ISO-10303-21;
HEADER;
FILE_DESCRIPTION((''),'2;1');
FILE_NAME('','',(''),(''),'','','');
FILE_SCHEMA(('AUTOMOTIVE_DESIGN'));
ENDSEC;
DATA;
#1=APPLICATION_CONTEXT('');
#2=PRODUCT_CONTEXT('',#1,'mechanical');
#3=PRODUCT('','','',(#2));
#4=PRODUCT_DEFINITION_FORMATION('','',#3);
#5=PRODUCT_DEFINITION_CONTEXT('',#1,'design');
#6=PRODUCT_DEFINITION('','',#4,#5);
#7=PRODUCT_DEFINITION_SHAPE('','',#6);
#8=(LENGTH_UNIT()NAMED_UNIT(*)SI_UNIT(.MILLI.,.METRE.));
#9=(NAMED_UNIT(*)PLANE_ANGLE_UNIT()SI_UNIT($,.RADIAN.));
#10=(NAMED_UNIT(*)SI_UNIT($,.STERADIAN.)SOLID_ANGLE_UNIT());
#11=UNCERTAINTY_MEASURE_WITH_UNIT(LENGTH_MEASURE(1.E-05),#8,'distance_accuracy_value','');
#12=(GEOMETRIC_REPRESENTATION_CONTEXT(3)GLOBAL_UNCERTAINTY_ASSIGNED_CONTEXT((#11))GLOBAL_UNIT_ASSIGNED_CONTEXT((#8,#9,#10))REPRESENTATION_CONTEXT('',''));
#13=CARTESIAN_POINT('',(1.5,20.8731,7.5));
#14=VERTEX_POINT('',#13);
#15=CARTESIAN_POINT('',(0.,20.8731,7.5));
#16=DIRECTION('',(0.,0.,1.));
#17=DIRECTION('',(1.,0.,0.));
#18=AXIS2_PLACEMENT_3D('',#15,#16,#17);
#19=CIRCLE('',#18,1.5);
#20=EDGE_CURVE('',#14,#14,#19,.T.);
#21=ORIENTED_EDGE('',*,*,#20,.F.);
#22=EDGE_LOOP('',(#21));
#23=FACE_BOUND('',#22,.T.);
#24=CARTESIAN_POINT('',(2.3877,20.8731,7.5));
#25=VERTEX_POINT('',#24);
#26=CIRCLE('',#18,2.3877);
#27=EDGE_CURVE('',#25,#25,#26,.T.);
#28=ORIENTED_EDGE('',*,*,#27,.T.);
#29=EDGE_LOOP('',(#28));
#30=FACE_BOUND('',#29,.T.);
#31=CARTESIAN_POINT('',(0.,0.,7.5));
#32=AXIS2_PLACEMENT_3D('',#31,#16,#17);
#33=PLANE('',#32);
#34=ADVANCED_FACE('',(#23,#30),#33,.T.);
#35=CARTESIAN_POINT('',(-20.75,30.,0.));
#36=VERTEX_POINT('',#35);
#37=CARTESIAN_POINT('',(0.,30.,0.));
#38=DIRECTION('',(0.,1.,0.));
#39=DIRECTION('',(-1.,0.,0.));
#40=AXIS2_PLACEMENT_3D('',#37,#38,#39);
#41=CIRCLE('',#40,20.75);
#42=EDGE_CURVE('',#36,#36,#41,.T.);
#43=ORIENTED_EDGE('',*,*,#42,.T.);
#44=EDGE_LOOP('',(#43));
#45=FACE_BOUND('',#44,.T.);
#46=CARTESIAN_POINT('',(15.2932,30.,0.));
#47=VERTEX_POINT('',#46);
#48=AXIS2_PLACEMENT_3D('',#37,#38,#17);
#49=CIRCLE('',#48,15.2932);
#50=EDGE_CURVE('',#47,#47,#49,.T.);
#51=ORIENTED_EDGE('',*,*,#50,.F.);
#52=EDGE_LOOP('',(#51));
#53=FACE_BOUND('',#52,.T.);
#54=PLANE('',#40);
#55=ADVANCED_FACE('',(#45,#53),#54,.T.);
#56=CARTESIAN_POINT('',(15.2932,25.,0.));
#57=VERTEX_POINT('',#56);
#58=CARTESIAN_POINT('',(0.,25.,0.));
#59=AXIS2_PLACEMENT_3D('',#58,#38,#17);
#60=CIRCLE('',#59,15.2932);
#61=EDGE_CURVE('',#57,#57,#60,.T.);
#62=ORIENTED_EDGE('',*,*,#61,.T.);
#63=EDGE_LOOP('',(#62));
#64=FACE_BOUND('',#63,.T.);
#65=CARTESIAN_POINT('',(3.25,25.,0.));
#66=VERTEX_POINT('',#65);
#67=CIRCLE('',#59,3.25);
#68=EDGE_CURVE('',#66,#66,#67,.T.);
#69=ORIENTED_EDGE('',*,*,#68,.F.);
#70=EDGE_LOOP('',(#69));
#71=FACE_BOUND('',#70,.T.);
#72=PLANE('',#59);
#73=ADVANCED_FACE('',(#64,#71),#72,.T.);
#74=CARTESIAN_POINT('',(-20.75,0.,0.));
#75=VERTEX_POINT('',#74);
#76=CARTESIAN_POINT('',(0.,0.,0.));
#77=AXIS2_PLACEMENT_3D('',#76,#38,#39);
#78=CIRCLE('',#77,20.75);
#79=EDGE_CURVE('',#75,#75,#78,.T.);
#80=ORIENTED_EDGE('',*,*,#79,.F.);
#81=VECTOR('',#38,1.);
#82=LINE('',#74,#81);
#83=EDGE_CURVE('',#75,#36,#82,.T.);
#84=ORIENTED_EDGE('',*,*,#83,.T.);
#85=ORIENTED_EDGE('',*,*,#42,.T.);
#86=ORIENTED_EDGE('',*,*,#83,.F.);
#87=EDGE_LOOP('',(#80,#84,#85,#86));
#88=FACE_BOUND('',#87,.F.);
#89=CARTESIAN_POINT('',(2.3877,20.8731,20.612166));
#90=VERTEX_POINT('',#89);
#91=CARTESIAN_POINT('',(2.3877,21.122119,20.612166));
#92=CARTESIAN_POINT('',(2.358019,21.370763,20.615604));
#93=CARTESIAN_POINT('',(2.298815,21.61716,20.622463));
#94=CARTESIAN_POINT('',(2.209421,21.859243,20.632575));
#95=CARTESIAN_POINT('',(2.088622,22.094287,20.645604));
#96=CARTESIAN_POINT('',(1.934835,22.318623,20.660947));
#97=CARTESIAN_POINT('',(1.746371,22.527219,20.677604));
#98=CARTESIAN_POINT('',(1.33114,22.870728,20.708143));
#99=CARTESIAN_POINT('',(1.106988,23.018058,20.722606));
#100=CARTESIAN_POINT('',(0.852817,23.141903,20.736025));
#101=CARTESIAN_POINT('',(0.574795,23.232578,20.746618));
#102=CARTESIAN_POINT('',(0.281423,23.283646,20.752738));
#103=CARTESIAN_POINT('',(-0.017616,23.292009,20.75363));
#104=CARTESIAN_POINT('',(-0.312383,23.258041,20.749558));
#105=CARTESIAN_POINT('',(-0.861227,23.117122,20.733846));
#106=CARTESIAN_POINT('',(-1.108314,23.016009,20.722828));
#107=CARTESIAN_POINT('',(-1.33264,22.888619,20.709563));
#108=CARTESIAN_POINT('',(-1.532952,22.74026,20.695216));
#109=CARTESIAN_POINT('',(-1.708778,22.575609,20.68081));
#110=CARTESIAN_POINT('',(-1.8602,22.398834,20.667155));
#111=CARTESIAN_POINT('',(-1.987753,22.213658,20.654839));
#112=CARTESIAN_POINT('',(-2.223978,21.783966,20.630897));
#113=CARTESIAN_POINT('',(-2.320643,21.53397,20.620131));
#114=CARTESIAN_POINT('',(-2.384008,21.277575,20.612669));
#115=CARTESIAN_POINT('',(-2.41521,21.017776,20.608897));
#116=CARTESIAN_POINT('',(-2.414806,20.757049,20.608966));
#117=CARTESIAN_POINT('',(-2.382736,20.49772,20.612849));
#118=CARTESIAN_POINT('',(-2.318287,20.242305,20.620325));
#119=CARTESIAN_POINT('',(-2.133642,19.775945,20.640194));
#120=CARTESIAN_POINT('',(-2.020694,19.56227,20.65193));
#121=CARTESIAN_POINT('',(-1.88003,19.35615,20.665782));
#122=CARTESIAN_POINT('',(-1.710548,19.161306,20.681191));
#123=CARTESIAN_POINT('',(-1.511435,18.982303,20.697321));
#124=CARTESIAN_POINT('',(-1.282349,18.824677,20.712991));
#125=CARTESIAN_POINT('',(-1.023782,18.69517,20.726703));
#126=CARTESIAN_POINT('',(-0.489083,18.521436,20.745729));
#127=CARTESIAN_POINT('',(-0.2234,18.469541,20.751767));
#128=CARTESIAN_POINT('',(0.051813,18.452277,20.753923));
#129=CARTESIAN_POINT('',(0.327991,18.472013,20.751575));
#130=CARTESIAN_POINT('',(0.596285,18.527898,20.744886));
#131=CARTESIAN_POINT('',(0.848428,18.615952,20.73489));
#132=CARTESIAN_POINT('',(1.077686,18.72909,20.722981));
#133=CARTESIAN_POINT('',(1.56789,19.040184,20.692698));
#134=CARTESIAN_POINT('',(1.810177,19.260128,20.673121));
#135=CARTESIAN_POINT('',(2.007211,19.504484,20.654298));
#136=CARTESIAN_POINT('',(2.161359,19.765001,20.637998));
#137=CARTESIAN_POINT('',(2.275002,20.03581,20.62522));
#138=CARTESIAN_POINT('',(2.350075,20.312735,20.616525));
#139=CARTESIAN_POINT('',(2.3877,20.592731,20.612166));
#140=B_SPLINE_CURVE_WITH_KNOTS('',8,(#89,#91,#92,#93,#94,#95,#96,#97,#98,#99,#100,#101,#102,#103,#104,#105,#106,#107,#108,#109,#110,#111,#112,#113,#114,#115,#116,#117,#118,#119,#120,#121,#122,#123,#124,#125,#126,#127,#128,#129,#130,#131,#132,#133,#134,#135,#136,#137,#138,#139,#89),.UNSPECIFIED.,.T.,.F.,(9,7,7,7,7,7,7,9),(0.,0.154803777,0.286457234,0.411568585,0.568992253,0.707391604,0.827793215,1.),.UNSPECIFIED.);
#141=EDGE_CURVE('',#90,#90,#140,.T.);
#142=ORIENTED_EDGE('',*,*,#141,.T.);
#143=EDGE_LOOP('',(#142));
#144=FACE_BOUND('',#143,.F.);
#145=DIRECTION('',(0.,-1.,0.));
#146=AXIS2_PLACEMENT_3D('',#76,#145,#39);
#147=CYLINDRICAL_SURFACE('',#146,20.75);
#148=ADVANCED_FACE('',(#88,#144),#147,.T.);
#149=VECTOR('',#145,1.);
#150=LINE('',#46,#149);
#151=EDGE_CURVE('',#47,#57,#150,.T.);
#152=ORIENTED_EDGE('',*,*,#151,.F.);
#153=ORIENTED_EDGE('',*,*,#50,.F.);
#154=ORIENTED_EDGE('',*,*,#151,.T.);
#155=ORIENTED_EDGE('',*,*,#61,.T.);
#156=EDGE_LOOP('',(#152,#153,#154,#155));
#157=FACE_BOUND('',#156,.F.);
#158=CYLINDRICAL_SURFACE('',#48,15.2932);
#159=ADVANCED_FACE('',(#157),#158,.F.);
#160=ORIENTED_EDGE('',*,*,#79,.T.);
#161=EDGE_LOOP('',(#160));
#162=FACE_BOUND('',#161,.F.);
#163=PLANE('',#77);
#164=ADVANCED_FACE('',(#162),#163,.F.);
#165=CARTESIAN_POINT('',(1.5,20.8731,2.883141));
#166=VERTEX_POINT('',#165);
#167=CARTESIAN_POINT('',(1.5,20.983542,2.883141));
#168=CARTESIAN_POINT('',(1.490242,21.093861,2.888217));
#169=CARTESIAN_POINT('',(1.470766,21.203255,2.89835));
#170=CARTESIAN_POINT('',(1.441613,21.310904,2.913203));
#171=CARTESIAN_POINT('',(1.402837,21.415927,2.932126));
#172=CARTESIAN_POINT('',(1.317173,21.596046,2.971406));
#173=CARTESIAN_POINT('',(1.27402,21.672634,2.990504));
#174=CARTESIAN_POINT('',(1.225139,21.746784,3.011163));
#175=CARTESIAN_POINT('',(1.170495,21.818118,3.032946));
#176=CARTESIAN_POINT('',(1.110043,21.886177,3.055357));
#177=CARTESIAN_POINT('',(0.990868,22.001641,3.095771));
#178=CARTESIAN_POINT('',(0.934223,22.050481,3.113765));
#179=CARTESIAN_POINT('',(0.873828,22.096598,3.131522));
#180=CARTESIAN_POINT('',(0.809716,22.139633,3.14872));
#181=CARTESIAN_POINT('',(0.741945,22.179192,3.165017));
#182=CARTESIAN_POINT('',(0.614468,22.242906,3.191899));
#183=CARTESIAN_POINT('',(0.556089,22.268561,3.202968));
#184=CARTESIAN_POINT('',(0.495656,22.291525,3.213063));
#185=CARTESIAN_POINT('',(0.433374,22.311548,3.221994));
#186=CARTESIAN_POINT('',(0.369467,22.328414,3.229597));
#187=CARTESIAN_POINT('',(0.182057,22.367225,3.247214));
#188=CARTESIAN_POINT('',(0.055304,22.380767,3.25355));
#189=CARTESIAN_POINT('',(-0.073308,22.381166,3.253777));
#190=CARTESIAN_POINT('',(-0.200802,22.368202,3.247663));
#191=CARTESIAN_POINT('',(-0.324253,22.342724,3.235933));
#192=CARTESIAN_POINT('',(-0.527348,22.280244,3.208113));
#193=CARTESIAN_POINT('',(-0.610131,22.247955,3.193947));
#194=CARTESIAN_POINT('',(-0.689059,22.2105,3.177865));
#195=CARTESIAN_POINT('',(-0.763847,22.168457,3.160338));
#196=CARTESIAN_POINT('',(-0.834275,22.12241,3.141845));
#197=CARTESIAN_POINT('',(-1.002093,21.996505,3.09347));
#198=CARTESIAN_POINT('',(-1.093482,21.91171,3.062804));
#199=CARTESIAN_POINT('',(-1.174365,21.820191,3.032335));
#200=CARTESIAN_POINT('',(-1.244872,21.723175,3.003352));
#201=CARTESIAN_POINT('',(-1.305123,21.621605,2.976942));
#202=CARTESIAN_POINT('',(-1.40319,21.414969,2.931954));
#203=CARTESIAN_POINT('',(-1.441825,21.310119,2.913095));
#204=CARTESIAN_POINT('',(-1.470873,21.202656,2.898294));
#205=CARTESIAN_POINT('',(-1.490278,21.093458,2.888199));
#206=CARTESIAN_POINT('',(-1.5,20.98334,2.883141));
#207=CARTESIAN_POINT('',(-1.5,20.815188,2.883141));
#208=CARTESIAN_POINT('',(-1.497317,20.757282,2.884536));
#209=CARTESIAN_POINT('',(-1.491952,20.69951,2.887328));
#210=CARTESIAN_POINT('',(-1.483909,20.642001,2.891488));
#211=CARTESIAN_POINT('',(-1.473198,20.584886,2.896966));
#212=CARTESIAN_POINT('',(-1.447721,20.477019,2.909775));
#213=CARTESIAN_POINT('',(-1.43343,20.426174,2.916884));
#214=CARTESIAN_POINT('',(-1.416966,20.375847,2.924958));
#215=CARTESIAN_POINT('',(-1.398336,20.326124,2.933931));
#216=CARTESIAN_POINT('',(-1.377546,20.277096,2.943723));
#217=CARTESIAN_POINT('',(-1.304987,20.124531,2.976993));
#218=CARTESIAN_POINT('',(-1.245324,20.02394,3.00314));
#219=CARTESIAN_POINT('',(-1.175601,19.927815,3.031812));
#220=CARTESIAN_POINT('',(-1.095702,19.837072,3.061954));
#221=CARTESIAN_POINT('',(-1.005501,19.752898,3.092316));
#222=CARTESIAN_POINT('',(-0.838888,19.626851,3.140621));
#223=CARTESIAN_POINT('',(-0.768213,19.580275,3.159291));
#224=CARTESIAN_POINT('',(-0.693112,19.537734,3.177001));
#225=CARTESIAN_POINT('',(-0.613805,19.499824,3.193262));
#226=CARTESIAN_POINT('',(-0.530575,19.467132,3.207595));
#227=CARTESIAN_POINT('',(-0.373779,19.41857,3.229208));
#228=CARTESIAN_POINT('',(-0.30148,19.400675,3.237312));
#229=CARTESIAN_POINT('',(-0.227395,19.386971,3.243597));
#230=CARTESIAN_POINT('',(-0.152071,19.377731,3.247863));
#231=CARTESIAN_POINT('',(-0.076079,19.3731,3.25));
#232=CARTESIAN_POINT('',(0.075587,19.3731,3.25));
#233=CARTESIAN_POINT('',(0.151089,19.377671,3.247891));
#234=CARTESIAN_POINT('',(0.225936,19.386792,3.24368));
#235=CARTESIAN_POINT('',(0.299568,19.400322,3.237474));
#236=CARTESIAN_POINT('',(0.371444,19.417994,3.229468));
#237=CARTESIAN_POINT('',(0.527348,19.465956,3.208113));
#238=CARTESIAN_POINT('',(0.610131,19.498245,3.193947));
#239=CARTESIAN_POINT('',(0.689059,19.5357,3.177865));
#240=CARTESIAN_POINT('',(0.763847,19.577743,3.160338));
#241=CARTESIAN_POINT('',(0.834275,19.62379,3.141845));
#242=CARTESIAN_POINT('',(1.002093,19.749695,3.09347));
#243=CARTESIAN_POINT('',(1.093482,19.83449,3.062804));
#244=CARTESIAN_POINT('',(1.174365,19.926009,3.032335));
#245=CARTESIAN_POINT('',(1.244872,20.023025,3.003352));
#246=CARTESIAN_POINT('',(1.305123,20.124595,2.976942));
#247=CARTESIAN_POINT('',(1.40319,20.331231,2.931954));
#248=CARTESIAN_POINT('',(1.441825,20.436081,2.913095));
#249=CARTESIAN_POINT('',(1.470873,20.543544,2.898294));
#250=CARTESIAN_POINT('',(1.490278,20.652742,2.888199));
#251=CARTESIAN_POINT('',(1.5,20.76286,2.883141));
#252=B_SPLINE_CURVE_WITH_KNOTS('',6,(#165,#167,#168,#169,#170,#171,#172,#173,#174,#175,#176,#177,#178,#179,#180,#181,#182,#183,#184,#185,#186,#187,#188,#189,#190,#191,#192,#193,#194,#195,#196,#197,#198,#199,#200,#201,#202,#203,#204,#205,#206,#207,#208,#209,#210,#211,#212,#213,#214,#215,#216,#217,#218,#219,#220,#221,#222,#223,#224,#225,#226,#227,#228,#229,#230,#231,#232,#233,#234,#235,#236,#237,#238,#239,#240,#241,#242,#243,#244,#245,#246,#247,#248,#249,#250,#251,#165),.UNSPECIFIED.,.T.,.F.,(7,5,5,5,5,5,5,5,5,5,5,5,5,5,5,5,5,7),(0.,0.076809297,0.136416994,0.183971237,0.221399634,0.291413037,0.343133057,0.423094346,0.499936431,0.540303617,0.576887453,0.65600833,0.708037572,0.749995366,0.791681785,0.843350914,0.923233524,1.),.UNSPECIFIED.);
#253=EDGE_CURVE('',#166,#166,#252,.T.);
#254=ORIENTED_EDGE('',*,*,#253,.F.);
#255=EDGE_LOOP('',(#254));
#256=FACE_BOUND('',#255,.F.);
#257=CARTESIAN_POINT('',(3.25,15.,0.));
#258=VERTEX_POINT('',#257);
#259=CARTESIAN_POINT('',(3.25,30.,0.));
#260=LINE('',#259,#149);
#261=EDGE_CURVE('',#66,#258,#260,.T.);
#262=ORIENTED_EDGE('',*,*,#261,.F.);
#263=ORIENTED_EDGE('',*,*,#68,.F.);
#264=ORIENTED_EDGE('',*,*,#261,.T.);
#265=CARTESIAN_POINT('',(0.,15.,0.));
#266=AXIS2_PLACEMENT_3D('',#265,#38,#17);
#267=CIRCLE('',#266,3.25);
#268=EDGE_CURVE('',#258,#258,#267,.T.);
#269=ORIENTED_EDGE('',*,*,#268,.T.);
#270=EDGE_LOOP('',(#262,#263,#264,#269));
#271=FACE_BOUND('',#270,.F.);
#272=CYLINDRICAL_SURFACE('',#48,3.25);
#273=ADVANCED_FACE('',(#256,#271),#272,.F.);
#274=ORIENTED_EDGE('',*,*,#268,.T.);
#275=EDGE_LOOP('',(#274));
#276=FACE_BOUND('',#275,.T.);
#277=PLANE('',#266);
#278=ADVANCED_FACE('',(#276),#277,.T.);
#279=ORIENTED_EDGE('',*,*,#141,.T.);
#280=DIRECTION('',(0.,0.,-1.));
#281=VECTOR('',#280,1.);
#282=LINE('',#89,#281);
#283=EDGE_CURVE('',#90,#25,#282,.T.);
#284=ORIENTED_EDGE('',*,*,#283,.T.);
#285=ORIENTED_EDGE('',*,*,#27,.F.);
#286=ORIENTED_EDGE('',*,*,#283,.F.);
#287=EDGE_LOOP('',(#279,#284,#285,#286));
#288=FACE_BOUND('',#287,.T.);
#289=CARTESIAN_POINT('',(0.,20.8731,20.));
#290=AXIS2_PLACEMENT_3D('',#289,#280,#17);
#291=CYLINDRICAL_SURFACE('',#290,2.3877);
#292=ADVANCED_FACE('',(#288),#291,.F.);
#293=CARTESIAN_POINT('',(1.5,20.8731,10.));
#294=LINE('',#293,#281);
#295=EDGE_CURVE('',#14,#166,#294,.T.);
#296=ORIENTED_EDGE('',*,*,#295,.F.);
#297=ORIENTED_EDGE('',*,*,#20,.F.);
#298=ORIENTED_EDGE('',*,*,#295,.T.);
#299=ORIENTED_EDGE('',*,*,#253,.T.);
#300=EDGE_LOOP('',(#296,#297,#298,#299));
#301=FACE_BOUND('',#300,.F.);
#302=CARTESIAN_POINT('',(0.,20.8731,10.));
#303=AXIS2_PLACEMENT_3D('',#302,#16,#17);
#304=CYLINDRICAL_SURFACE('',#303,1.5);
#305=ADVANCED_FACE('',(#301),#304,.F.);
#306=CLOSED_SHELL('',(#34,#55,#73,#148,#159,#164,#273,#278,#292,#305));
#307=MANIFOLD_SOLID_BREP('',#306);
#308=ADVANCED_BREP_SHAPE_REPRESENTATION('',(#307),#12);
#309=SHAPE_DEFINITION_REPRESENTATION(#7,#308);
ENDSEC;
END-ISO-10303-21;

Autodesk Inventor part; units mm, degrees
ref_plane "YZ Plane" through (0, 0, 0) normal (1, 0, 0) x (0, 1, 0)
ref_plane "XZ Plane" through (0, 0, 0) normal (0, 1, 0) x (-1, 0, 0)
sketch "Sketch1" plane through (0, 0, 0) normal (0, 1, 0) x (-1, 0, 0)
  circle A0 centre (0, 0) radius 20.75
  dimension "d0" = 41.5
extrude "Extrusion1" add sketch "Sketch1" along normal blind 30
sketch "Sketch4" plane through (0, 30, 0) normal (0, 1, 0) x (1, 0, 0)
  circle A0 centre (0, 0) radius 3.25
  dimension "d8" = 6.5
extrude "Extrusion4" cut sketch "Sketch4" against normal blind 15
sketch "Sketch5" plane through (0, 30, 0) normal (0, 1, 0) x (1, 0, 0)
  circle A0 centre (0, 0) radius 15.2932
extrude "Extrusion5" cut sketch "Sketch5" against normal blind 5
ref_plane "Work Plane1" through (0, 0, 10) normal (0, 0, 1) x (1, 0, 0)
sketch "Sketch6" plane through (0, 0, 10) normal (0, 0, 1) x (1, 0, 0)
  circle A0 centre (0, 20.8731) radius 1.5
  point P0 (0, 0)
  dimension "d14" = 3
extrude "Extrusion6" cut sketch "Sketch6" along normal mid plane 25
ref_plane "Work Plane2" through (0, 0, 20) normal (0, 0, 1) x (1, 0, 0)
sketch "Sketch7" plane through (0, 0, 20) normal (0, 0, 1) x (1, 0, 0)
  circle A0 centre (0, 20.8731) radius 2.3877
  point P0 (0, 0)
  point P1 (1.5, 20.8731)
extrude "Extrusion7" cut sketch "Sketch7" along normal mid plane 25
properties part number "ban"
